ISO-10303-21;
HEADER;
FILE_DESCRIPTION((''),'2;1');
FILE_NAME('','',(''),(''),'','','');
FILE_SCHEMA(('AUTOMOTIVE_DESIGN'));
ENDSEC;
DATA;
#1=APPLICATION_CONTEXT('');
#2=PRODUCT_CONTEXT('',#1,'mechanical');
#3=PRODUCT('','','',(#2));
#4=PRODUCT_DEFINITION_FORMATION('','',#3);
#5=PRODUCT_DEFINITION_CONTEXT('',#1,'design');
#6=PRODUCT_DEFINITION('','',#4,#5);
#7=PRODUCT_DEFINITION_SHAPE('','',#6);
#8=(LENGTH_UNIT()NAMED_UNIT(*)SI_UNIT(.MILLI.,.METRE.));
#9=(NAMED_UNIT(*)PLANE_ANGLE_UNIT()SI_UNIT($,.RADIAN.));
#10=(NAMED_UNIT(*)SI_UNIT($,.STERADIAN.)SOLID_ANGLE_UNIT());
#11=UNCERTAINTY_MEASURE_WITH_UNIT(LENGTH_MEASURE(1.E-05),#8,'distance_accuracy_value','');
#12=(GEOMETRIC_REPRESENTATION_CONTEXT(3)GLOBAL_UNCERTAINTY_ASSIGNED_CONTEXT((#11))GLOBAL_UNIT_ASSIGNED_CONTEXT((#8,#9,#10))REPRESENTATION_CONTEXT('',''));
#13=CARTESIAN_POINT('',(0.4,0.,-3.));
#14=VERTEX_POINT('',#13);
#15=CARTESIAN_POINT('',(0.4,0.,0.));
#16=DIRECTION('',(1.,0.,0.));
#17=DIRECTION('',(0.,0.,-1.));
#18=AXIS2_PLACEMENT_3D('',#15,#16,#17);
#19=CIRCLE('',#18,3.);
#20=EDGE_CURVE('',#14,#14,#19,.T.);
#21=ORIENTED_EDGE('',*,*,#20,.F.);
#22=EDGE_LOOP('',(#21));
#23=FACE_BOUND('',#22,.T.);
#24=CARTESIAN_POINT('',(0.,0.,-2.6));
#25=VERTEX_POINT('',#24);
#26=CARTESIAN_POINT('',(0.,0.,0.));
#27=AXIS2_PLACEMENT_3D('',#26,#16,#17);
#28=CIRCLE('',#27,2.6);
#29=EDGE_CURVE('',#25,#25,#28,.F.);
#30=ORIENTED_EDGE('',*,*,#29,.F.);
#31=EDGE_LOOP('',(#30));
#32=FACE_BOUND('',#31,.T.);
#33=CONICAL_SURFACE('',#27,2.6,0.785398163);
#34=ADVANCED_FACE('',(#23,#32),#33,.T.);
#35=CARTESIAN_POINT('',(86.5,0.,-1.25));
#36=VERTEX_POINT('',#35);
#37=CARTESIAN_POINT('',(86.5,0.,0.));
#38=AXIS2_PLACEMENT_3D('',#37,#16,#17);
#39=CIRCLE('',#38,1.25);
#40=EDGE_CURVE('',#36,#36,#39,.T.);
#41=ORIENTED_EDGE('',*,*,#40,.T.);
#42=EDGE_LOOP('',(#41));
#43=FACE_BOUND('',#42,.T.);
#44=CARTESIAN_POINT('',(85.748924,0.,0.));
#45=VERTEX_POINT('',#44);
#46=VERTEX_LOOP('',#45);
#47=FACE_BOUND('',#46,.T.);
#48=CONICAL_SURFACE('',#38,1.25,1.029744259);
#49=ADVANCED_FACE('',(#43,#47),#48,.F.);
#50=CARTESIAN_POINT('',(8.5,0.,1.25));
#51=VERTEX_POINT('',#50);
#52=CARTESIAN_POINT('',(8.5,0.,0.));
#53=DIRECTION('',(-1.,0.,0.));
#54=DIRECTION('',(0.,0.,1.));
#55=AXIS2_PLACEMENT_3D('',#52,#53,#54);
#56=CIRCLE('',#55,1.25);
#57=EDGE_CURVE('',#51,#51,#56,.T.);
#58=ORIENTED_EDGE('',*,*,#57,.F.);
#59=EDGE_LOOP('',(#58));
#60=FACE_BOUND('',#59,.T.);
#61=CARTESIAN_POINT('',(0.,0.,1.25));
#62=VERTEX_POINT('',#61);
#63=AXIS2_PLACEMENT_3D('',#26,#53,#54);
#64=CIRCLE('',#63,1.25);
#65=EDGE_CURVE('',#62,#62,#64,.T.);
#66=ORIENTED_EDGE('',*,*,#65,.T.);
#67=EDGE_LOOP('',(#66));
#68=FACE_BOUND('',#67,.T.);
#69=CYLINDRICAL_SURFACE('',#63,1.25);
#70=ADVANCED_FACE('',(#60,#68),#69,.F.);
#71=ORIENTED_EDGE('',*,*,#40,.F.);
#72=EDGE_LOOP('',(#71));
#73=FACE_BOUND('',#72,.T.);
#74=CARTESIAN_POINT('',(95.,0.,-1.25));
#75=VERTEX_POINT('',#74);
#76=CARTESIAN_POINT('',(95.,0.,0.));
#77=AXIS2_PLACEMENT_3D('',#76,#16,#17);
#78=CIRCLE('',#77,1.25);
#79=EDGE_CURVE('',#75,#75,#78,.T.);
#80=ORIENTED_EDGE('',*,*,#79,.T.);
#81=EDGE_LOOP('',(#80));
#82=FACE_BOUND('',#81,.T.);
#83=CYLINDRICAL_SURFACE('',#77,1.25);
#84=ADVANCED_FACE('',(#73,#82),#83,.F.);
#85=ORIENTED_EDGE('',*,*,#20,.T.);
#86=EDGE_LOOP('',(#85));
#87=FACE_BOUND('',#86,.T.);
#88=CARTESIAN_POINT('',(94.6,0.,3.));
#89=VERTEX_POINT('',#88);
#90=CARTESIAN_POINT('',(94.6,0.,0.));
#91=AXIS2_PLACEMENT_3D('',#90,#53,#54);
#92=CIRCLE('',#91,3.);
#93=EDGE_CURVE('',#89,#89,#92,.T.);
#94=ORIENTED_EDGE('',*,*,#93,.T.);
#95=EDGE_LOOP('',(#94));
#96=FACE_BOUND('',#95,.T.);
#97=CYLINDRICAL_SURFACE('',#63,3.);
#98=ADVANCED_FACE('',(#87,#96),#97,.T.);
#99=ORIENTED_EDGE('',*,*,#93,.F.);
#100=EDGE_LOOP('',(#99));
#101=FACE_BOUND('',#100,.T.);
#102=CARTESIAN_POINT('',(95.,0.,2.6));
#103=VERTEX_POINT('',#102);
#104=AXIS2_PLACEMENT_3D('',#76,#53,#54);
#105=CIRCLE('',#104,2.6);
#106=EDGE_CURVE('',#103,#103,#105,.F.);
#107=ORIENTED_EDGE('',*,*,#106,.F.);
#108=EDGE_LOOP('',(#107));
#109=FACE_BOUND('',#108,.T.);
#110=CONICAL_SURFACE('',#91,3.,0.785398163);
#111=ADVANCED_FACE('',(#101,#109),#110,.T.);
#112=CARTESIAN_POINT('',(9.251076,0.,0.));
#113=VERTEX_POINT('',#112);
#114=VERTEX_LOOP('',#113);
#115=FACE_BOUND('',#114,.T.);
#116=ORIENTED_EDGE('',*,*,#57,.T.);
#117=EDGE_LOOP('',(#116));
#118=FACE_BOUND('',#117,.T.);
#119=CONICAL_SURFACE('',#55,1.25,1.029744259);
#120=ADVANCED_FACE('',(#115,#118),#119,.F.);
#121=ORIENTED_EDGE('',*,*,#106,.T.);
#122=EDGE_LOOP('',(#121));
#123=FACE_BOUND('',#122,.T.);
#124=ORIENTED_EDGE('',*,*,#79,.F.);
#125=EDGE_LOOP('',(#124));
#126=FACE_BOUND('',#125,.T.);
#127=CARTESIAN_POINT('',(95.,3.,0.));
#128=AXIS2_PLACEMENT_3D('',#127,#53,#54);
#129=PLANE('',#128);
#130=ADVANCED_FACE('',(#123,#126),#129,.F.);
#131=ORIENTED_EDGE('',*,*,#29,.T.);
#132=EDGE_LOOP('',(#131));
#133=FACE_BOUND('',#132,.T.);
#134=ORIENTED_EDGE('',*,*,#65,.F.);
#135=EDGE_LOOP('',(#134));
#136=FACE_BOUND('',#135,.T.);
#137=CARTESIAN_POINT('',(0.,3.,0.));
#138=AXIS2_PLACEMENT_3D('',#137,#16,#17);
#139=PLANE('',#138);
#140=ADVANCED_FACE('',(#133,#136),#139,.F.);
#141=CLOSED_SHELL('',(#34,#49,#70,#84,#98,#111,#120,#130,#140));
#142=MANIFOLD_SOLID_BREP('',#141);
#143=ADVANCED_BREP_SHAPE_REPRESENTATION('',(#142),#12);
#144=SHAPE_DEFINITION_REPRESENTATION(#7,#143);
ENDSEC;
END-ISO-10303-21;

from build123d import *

# Parameters (mm, degrees)
SKETCH1_W           = 95
SKETCH1_H           = 3
CHAMFER1_SIZE       = 0.4
TAPPED_HOLE10_D     = 2.5
TAPPED_HOLE10_DEPTH = 8.5
TAPPED_HOLE10_TIP   = 0.751075774
TAPPED_HOLE11_D     = 2.5
TAPPED_HOLE11_DEPTH = 8.5
TAPPED_HOLE11_TIP   = 0.751075774


with BuildPart() as part:
    # Sketch1 → Revolve1 (revolve)
    with BuildSketch(Plane.XY):
        with Locations((47.5, 1.5)):
            Rectangle(SKETCH1_W, SKETCH1_H)
    revolve(axis=Axis((0, 0, 0), (1, 0, 0)))

    # Chamfer1
    chamfer1_edges = [part.edges().sort_by_distance(p)[0] for p in [
        (95, -3, 0),
        (0, -3, 0),
    ]]
    chamfer(chamfer1_edges, length=CHAMFER1_SIZE)

    # Tapped Hole10
    with Locations(Plane.ZY):
        with Locations((0, 0)):
            Hole(TAPPED_HOLE10_D / 2, depth=TAPPED_HOLE10_DEPTH)
            with Locations((0, 0, -(TAPPED_HOLE10_DEPTH + TAPPED_HOLE10_TIP / 2))):  # 118° drill point
                Cone(0, TAPPED_HOLE10_D / 2, TAPPED_HOLE10_TIP, mode=Mode.SUBTRACT)

    # Tapped Hole11
    with Locations(Plane(origin=(95, 0, 0), x_dir=(0, 0, -1), z_dir=(1, 0, 0))):
        with Locations((0, 0)):
            Hole(TAPPED_HOLE11_D / 2, depth=TAPPED_HOLE11_DEPTH)
            with Locations((0, 0, -(TAPPED_HOLE11_DEPTH + TAPPED_HOLE11_TIP / 2))):  # 118° drill point
                Cone(0, TAPPED_HOLE11_D / 2, TAPPED_HOLE11_TIP, mode=Mode.SUBTRACT)


solid = part.part
